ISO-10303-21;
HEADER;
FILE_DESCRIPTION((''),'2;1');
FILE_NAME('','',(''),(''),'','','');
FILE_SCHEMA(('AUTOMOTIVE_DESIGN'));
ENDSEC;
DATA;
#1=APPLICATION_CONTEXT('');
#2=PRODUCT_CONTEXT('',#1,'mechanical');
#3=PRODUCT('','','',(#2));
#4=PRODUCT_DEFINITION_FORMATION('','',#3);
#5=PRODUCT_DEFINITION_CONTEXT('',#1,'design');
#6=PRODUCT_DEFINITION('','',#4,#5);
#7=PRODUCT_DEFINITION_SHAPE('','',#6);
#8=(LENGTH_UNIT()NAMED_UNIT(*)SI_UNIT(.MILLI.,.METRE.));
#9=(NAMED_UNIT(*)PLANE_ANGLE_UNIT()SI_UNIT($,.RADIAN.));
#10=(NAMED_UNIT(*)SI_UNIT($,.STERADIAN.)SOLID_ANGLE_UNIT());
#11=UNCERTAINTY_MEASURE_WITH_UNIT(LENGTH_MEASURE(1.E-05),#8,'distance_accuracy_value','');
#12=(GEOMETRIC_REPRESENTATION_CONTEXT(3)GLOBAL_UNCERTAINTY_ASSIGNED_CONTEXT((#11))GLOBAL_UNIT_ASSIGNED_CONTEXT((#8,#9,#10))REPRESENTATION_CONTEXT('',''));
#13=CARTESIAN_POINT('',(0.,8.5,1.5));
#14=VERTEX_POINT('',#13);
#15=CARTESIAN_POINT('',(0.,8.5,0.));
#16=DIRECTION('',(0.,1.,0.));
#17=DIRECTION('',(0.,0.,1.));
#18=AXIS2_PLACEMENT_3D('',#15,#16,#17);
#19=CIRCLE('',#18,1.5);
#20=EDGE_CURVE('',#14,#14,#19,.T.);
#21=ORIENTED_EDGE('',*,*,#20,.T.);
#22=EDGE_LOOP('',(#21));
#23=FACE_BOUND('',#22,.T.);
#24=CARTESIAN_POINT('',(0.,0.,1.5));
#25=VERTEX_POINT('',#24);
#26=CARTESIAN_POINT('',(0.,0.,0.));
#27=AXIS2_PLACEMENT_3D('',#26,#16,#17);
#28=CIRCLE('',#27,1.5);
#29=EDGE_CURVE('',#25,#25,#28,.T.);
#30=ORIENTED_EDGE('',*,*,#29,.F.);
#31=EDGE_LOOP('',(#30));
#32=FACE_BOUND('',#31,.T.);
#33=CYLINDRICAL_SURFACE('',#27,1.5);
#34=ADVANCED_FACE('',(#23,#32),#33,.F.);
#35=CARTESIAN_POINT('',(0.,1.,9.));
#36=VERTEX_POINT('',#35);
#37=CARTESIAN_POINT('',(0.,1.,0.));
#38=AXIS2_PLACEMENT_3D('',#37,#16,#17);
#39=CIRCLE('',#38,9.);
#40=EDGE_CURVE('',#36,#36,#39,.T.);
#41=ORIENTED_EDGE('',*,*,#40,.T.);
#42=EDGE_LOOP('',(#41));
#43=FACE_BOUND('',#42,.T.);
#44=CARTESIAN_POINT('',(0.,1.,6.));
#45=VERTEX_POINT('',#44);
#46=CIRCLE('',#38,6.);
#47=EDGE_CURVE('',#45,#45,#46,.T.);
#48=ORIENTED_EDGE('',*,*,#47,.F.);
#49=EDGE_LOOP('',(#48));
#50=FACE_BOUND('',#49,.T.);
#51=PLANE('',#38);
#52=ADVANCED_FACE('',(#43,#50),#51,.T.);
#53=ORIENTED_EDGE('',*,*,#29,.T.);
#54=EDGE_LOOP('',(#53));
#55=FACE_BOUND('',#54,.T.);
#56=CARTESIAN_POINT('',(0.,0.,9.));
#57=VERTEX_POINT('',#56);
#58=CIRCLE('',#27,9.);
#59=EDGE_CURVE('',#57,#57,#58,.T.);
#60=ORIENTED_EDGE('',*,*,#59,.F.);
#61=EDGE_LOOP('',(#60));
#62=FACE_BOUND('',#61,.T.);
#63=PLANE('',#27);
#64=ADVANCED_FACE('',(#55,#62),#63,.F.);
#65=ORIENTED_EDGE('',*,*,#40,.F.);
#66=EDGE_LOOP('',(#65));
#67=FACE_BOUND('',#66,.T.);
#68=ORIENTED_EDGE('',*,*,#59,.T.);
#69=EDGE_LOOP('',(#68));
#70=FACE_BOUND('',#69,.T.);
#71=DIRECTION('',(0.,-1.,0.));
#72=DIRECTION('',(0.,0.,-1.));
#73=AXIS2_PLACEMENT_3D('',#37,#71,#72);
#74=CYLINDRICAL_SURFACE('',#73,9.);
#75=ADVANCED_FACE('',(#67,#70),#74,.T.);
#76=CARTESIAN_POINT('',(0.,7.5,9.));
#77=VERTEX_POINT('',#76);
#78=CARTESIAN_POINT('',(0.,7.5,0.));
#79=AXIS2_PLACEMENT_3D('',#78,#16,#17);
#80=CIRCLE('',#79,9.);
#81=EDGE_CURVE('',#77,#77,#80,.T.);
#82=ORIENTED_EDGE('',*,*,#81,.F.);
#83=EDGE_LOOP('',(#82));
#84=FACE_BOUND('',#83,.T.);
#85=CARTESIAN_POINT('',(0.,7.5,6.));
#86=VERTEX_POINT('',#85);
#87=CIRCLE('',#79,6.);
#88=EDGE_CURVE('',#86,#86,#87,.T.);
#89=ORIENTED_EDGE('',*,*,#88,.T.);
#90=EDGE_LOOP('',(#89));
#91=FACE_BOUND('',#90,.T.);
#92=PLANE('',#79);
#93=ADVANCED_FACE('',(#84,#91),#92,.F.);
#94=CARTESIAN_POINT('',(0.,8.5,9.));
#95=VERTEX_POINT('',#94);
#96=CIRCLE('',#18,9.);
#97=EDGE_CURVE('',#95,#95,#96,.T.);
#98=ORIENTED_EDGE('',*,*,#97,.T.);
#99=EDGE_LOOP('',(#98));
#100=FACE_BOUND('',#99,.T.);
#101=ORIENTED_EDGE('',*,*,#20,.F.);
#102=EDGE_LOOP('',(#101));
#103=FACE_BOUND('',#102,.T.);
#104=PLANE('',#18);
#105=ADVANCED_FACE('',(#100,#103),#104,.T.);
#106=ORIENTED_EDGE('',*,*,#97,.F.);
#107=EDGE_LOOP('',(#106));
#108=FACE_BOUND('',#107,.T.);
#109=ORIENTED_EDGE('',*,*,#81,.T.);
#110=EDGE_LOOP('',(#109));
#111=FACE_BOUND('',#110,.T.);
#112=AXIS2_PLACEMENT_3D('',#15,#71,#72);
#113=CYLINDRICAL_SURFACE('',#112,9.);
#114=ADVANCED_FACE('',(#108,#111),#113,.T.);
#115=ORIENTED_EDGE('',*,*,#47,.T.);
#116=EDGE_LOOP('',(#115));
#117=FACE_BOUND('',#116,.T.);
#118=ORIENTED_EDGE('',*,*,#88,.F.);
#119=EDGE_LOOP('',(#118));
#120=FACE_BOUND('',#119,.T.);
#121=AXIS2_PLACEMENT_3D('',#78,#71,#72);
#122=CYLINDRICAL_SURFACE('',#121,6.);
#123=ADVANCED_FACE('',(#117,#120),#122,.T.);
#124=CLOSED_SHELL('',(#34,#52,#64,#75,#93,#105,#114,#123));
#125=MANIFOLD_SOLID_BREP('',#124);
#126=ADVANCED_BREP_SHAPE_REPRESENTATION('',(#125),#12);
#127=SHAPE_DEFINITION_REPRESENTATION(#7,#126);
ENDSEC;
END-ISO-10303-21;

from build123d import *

# Parameters (mm, degrees)
SKETCH_1_R          = 9
EXTRUDE_1_DEPTH     = 1
SKETCH_2_R          = 6
EXTRUDE_2_DEPTH     = 6.5
SKETCH_3_R          = 9
EXTRUDE_3_DEPTH     = 1
SKETCH_4_R          = 1.5
CUT_EXTRUDE_1_DEPTH = 9.5


with BuildPart() as part:
    # 草图1 → 凸台-拉伸1 (new body)
    with BuildSketch(Plane(origin=(0, 0, 0), x_dir=(1, 0, 0), z_dir=(0, 1, 0))):
        Circle(SKETCH_1_R)
    extrude(amount=EXTRUDE_1_DEPTH)

    # 草图2 → 凸台-拉伸2 (add)
    with BuildSketch(Plane(origin=(0, 1, 0), x_dir=(1, 0, 0), z_dir=(0, 1, 0))):
        Circle(SKETCH_2_R)
    extrude(amount=EXTRUDE_2_DEPTH)

    # 草图3 → 凸台-拉伸3 (add)
    with BuildSketch(Plane(origin=(0, 7.5, 0), x_dir=(1, 0, 0), z_dir=(0, 1, 0))):
        Circle(SKETCH_3_R)
    extrude(amount=EXTRUDE_3_DEPTH)

    # 草图4 → 切除-拉伸1 (cut, through all)
    with BuildSketch(Plane(origin=(0, 8.5, 0), x_dir=(1, 0, 0), z_dir=(0, 1, 0))):
        Circle(SKETCH_4_R)
    extrude(amount=-CUT_EXTRUDE_1_DEPTH, mode=Mode.SUBTRACT)


solid = part.part
